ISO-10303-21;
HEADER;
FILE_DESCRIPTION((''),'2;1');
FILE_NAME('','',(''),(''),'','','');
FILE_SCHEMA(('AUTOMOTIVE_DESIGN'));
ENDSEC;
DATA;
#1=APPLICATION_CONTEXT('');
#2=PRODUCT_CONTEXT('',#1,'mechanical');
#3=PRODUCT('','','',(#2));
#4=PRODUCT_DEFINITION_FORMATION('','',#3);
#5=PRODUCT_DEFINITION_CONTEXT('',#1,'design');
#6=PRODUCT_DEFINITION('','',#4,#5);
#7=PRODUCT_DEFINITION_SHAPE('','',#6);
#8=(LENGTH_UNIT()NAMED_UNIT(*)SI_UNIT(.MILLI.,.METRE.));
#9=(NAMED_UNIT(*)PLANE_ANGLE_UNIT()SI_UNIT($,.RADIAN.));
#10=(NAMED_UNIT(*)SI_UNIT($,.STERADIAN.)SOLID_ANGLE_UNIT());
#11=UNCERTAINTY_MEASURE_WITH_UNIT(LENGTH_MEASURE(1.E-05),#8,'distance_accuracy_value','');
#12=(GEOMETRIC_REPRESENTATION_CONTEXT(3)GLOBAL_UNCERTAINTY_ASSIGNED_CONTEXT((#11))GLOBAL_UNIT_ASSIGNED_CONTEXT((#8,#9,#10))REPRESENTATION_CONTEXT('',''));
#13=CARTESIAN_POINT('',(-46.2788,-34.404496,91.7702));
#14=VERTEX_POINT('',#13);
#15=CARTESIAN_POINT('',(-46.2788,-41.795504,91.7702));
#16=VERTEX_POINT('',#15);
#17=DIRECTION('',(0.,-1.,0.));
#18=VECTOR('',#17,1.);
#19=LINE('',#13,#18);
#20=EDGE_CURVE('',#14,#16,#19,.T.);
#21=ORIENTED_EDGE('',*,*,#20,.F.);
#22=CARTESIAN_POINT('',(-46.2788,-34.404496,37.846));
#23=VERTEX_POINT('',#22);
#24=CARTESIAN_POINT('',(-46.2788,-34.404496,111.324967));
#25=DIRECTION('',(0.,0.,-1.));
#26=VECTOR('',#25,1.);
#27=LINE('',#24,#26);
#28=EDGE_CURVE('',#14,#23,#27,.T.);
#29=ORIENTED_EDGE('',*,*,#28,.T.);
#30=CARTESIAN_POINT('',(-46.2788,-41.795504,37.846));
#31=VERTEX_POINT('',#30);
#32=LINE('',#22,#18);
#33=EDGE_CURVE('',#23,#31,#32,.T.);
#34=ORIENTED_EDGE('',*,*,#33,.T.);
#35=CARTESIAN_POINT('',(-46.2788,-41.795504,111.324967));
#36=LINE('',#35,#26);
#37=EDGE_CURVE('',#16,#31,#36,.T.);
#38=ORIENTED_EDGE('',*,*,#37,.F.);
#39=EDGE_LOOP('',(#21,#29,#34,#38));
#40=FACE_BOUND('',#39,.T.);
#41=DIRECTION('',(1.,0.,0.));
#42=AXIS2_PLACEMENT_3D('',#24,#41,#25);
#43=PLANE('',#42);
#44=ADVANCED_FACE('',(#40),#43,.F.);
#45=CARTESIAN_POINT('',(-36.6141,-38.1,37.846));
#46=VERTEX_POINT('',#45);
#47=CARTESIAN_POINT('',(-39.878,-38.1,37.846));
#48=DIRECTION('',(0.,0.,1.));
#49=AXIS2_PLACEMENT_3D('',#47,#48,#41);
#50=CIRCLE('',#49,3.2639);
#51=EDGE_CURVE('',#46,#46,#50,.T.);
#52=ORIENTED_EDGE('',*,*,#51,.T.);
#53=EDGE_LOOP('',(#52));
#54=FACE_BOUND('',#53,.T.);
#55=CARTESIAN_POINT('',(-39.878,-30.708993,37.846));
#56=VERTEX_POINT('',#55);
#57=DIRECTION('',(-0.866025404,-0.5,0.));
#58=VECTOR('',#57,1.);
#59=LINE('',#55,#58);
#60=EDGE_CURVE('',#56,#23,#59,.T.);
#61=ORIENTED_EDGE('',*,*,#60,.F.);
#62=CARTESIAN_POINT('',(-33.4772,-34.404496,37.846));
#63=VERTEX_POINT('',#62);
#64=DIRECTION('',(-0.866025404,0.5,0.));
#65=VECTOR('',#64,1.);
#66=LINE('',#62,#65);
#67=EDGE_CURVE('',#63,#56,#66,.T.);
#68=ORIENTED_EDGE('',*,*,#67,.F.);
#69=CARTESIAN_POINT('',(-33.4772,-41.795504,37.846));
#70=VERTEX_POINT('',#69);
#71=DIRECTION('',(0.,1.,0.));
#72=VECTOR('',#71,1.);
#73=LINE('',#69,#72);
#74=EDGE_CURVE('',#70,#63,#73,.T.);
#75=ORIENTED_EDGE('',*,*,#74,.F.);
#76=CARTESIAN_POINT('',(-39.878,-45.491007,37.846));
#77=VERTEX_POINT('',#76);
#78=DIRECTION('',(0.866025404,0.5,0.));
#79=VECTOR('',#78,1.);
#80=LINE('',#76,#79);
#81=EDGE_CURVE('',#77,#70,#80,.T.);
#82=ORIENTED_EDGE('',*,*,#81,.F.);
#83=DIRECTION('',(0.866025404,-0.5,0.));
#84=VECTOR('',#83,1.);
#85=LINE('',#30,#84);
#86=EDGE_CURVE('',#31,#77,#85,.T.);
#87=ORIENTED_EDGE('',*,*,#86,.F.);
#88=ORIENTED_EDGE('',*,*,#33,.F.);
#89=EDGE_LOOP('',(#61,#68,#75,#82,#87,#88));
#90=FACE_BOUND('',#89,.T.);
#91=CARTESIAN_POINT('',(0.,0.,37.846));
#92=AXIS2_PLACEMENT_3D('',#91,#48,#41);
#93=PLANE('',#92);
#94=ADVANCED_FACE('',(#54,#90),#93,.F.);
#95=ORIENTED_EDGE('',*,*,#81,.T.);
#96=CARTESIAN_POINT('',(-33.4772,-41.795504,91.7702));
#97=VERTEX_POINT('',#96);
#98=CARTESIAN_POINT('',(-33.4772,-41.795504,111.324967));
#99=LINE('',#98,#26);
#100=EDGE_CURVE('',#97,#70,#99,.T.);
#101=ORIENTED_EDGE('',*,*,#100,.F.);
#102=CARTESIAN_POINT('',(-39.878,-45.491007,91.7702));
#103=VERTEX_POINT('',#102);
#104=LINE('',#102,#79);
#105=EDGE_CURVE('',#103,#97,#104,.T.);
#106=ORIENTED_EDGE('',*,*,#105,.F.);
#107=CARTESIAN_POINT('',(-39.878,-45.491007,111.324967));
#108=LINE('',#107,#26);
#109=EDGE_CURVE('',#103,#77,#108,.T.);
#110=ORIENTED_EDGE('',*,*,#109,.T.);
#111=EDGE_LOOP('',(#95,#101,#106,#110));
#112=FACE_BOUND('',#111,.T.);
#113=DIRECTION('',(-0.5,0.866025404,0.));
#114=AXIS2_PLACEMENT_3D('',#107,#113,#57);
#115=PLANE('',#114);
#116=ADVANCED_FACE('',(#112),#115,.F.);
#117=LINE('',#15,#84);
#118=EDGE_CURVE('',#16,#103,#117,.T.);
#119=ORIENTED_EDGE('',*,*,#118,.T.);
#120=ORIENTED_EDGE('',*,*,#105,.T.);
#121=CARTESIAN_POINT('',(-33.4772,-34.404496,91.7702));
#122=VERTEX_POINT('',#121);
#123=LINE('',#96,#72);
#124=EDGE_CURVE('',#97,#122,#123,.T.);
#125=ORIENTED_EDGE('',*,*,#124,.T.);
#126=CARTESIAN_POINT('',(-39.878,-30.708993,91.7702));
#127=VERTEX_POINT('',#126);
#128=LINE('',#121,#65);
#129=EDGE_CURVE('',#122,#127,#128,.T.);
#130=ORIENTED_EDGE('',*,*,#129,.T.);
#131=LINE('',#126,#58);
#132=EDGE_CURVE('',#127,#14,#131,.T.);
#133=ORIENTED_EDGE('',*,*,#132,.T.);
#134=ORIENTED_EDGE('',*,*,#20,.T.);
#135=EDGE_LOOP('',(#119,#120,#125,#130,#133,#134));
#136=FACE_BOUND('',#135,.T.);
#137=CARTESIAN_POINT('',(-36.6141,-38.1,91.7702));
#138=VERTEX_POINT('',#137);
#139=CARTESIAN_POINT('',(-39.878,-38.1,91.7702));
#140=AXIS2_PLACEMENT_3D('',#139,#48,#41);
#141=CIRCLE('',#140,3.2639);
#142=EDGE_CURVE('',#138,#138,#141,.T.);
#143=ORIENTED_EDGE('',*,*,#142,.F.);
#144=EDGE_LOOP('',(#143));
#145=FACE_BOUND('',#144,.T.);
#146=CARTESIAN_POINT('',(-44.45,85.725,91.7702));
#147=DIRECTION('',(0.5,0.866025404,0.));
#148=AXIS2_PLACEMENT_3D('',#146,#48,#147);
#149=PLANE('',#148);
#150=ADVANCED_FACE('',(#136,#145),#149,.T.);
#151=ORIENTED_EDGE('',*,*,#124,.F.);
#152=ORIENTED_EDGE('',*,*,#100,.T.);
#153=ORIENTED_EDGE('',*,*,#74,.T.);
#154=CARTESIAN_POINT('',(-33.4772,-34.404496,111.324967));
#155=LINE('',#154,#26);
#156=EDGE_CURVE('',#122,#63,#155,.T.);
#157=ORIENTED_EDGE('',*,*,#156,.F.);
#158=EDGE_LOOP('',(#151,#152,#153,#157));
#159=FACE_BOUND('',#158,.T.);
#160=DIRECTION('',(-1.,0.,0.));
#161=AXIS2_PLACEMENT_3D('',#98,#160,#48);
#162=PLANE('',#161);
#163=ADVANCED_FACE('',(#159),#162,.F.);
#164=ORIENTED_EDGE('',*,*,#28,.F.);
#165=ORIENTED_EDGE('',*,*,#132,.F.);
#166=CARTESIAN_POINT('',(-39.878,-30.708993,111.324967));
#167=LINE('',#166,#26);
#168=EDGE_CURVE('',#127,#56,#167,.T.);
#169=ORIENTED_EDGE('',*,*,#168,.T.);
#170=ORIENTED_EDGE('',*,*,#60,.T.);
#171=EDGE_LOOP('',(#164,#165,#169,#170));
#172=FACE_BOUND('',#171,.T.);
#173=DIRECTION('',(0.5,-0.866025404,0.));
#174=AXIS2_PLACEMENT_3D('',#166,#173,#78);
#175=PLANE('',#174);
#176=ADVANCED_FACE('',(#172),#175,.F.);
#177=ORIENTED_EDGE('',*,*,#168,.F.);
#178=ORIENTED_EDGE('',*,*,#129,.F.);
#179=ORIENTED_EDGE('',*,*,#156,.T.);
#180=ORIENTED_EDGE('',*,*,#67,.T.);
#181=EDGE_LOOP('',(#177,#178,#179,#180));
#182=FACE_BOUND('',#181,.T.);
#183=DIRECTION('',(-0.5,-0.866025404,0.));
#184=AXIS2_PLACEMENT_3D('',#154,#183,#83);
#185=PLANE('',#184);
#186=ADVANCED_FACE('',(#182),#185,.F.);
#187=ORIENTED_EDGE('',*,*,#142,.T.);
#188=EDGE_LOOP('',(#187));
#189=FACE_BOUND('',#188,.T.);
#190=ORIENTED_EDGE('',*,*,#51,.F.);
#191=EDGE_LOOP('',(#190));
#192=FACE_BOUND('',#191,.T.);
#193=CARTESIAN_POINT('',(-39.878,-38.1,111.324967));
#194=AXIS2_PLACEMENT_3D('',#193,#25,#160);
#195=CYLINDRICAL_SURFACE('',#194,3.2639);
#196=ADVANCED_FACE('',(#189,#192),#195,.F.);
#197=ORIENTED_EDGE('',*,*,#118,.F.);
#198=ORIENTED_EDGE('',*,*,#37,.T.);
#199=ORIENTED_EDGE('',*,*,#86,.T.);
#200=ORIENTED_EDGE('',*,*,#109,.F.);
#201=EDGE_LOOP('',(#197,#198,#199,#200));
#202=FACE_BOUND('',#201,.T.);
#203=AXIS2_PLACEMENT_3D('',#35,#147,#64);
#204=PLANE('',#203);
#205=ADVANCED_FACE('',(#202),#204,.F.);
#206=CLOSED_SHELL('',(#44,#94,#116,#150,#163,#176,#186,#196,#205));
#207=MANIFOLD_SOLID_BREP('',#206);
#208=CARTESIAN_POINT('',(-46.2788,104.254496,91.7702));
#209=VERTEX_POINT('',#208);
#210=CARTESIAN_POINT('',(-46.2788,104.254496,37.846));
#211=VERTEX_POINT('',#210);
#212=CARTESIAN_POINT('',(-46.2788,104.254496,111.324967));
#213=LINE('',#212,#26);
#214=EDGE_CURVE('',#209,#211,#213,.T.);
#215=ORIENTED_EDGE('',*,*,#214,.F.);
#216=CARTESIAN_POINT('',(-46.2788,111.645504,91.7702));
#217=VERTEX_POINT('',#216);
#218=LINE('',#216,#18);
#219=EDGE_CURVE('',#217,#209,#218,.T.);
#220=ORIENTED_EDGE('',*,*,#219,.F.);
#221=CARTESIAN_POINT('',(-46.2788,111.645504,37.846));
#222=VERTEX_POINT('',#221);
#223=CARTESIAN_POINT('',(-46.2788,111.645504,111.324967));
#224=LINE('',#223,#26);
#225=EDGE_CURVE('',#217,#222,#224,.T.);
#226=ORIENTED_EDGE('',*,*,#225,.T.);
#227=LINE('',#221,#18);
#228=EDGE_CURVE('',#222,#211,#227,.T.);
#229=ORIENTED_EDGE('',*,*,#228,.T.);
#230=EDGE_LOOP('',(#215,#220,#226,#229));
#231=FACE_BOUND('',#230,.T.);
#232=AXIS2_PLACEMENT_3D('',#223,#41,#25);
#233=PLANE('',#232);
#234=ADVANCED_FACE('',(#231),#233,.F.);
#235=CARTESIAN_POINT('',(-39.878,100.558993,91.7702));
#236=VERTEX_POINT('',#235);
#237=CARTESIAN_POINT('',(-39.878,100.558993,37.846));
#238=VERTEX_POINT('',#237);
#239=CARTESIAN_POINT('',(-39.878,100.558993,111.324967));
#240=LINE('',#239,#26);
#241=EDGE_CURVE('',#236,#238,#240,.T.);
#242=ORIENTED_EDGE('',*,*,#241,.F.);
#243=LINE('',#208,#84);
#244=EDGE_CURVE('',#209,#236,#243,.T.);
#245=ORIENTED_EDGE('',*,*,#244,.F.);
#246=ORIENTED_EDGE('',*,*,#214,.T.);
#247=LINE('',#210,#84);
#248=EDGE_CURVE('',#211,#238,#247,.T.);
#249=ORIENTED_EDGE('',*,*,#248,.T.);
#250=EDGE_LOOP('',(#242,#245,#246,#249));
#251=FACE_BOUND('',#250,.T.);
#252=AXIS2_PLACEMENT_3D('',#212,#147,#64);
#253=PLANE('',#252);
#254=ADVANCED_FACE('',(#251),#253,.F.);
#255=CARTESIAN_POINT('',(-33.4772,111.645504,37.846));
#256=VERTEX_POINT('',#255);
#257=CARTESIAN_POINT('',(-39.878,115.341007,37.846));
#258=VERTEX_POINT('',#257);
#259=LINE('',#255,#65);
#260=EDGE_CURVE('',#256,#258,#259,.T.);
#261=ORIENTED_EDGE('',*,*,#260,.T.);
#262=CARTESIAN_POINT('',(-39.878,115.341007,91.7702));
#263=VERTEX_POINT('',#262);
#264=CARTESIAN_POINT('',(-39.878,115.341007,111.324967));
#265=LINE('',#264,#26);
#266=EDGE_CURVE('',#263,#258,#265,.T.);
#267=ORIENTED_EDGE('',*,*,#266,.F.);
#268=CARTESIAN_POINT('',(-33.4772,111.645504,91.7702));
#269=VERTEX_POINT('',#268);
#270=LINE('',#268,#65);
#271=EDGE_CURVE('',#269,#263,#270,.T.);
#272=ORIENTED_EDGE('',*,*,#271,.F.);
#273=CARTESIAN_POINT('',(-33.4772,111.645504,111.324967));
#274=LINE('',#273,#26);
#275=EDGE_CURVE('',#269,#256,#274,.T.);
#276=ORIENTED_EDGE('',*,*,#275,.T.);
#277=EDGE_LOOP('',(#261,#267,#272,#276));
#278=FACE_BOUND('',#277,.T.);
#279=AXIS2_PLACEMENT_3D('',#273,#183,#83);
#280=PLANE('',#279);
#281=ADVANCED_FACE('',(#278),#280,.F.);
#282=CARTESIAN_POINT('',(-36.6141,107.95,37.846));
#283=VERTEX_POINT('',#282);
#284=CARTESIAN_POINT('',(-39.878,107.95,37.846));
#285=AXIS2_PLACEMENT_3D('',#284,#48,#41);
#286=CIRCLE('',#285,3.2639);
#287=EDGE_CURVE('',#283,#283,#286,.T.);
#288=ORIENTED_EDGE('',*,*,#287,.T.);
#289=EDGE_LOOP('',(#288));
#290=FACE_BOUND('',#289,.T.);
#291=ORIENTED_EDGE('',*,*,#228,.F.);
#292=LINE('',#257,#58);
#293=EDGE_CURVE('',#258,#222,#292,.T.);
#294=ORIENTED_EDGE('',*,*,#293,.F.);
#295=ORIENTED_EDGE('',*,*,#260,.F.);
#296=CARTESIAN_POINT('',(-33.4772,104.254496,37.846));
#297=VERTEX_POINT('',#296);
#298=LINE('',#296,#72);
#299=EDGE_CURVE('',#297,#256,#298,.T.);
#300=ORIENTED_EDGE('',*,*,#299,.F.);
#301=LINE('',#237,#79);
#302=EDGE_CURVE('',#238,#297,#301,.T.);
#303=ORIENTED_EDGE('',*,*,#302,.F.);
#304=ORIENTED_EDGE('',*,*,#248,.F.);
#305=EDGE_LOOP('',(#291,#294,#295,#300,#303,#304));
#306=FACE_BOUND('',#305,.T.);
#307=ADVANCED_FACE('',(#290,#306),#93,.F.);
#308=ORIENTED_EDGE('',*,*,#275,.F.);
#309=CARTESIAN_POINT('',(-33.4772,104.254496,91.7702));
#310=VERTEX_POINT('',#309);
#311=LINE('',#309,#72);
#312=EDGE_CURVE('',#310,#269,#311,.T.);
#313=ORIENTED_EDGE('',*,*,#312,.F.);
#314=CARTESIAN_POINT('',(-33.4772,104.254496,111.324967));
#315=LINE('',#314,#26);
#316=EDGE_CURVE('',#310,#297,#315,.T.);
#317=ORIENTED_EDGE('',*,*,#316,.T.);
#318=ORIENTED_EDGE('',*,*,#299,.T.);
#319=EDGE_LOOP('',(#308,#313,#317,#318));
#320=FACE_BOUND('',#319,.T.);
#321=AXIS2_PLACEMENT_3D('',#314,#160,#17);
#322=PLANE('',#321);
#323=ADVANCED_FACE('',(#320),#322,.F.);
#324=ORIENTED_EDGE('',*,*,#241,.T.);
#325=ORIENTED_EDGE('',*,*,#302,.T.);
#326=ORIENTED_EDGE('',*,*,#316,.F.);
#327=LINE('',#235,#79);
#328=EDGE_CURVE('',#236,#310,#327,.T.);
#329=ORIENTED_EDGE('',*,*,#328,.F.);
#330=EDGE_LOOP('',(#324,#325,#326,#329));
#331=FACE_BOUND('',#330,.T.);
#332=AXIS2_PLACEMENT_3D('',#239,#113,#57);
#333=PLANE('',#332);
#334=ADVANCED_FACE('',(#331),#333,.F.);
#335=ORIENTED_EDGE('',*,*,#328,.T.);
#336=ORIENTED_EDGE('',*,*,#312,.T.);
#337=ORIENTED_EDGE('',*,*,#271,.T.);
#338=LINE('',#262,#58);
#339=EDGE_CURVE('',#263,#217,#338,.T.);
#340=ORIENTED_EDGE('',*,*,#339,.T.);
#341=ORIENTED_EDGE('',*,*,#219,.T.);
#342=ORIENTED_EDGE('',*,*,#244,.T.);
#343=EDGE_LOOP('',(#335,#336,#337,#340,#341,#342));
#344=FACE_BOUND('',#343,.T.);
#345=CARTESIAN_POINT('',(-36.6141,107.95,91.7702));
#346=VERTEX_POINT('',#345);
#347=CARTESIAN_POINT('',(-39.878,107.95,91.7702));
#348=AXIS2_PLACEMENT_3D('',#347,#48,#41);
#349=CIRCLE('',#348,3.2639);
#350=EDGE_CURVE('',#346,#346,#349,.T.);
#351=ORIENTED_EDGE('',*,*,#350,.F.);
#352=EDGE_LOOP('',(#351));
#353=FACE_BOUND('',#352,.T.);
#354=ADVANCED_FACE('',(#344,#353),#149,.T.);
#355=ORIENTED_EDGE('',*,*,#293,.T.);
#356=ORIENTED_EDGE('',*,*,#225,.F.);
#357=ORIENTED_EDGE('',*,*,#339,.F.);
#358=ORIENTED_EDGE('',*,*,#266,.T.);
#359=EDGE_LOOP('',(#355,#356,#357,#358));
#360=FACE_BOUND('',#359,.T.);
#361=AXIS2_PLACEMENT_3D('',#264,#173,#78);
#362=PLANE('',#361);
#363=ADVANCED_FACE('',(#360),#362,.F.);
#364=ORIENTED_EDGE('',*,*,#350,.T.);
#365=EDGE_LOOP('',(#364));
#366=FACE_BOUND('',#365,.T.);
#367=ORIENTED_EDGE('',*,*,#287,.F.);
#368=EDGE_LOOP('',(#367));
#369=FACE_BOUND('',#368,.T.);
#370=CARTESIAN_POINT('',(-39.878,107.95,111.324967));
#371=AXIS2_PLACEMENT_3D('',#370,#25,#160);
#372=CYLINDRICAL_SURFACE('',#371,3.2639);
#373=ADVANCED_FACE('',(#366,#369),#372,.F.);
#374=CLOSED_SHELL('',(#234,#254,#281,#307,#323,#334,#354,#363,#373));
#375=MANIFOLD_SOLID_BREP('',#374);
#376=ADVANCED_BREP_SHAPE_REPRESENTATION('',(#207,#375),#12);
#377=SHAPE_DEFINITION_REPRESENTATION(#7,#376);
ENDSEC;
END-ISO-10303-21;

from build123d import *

# Parameters (mm, degrees)
SKETCH1_R             = 3.2639
BOSS_EXTRUDE1_DEPTH   = 53.9242
BOSS_EXTRUDE1_2_DEPTH = 53.9242


with BuildPart() as part:
    # Sketch1 → Boss-Extrude1 (new body)
    with BuildSketch(Plane.XY.offset(37.846)):
        Polygon((-33.4772, 104.254496397), (-33.4772, 111.645503603), (-39.878, 115.341007206), (-46.2788, 111.645503603), (-46.2788, 104.254496397), (-39.878, 100.558992794), align=None)
        with Locations((-39.878, 107.95)):
            Circle(SKETCH1_R, mode=Mode.SUBTRACT)
    extrude(amount=BOSS_EXTRUDE1_DEPTH)


with BuildPart() as body_2:
    # Sketch1 → Boss-Extrude1 2 (new body)
    with BuildSketch(Plane.XY.offset(37.846)):
        Polygon((-33.4772, -34.404496397), (-39.878, -30.708992794), (-46.2788, -34.404496397), (-46.2788, -41.795503603), (-39.878, -45.491007206), (-33.4772, -41.795503603), align=None)
        with Locations((-39.878, -38.1)):
            Circle(SKETCH1_R, mode=Mode.SUBTRACT)
    extrude(amount=BOSS_EXTRUDE1_2_DEPTH)


solid = Compound([part.part, body_2.part])
